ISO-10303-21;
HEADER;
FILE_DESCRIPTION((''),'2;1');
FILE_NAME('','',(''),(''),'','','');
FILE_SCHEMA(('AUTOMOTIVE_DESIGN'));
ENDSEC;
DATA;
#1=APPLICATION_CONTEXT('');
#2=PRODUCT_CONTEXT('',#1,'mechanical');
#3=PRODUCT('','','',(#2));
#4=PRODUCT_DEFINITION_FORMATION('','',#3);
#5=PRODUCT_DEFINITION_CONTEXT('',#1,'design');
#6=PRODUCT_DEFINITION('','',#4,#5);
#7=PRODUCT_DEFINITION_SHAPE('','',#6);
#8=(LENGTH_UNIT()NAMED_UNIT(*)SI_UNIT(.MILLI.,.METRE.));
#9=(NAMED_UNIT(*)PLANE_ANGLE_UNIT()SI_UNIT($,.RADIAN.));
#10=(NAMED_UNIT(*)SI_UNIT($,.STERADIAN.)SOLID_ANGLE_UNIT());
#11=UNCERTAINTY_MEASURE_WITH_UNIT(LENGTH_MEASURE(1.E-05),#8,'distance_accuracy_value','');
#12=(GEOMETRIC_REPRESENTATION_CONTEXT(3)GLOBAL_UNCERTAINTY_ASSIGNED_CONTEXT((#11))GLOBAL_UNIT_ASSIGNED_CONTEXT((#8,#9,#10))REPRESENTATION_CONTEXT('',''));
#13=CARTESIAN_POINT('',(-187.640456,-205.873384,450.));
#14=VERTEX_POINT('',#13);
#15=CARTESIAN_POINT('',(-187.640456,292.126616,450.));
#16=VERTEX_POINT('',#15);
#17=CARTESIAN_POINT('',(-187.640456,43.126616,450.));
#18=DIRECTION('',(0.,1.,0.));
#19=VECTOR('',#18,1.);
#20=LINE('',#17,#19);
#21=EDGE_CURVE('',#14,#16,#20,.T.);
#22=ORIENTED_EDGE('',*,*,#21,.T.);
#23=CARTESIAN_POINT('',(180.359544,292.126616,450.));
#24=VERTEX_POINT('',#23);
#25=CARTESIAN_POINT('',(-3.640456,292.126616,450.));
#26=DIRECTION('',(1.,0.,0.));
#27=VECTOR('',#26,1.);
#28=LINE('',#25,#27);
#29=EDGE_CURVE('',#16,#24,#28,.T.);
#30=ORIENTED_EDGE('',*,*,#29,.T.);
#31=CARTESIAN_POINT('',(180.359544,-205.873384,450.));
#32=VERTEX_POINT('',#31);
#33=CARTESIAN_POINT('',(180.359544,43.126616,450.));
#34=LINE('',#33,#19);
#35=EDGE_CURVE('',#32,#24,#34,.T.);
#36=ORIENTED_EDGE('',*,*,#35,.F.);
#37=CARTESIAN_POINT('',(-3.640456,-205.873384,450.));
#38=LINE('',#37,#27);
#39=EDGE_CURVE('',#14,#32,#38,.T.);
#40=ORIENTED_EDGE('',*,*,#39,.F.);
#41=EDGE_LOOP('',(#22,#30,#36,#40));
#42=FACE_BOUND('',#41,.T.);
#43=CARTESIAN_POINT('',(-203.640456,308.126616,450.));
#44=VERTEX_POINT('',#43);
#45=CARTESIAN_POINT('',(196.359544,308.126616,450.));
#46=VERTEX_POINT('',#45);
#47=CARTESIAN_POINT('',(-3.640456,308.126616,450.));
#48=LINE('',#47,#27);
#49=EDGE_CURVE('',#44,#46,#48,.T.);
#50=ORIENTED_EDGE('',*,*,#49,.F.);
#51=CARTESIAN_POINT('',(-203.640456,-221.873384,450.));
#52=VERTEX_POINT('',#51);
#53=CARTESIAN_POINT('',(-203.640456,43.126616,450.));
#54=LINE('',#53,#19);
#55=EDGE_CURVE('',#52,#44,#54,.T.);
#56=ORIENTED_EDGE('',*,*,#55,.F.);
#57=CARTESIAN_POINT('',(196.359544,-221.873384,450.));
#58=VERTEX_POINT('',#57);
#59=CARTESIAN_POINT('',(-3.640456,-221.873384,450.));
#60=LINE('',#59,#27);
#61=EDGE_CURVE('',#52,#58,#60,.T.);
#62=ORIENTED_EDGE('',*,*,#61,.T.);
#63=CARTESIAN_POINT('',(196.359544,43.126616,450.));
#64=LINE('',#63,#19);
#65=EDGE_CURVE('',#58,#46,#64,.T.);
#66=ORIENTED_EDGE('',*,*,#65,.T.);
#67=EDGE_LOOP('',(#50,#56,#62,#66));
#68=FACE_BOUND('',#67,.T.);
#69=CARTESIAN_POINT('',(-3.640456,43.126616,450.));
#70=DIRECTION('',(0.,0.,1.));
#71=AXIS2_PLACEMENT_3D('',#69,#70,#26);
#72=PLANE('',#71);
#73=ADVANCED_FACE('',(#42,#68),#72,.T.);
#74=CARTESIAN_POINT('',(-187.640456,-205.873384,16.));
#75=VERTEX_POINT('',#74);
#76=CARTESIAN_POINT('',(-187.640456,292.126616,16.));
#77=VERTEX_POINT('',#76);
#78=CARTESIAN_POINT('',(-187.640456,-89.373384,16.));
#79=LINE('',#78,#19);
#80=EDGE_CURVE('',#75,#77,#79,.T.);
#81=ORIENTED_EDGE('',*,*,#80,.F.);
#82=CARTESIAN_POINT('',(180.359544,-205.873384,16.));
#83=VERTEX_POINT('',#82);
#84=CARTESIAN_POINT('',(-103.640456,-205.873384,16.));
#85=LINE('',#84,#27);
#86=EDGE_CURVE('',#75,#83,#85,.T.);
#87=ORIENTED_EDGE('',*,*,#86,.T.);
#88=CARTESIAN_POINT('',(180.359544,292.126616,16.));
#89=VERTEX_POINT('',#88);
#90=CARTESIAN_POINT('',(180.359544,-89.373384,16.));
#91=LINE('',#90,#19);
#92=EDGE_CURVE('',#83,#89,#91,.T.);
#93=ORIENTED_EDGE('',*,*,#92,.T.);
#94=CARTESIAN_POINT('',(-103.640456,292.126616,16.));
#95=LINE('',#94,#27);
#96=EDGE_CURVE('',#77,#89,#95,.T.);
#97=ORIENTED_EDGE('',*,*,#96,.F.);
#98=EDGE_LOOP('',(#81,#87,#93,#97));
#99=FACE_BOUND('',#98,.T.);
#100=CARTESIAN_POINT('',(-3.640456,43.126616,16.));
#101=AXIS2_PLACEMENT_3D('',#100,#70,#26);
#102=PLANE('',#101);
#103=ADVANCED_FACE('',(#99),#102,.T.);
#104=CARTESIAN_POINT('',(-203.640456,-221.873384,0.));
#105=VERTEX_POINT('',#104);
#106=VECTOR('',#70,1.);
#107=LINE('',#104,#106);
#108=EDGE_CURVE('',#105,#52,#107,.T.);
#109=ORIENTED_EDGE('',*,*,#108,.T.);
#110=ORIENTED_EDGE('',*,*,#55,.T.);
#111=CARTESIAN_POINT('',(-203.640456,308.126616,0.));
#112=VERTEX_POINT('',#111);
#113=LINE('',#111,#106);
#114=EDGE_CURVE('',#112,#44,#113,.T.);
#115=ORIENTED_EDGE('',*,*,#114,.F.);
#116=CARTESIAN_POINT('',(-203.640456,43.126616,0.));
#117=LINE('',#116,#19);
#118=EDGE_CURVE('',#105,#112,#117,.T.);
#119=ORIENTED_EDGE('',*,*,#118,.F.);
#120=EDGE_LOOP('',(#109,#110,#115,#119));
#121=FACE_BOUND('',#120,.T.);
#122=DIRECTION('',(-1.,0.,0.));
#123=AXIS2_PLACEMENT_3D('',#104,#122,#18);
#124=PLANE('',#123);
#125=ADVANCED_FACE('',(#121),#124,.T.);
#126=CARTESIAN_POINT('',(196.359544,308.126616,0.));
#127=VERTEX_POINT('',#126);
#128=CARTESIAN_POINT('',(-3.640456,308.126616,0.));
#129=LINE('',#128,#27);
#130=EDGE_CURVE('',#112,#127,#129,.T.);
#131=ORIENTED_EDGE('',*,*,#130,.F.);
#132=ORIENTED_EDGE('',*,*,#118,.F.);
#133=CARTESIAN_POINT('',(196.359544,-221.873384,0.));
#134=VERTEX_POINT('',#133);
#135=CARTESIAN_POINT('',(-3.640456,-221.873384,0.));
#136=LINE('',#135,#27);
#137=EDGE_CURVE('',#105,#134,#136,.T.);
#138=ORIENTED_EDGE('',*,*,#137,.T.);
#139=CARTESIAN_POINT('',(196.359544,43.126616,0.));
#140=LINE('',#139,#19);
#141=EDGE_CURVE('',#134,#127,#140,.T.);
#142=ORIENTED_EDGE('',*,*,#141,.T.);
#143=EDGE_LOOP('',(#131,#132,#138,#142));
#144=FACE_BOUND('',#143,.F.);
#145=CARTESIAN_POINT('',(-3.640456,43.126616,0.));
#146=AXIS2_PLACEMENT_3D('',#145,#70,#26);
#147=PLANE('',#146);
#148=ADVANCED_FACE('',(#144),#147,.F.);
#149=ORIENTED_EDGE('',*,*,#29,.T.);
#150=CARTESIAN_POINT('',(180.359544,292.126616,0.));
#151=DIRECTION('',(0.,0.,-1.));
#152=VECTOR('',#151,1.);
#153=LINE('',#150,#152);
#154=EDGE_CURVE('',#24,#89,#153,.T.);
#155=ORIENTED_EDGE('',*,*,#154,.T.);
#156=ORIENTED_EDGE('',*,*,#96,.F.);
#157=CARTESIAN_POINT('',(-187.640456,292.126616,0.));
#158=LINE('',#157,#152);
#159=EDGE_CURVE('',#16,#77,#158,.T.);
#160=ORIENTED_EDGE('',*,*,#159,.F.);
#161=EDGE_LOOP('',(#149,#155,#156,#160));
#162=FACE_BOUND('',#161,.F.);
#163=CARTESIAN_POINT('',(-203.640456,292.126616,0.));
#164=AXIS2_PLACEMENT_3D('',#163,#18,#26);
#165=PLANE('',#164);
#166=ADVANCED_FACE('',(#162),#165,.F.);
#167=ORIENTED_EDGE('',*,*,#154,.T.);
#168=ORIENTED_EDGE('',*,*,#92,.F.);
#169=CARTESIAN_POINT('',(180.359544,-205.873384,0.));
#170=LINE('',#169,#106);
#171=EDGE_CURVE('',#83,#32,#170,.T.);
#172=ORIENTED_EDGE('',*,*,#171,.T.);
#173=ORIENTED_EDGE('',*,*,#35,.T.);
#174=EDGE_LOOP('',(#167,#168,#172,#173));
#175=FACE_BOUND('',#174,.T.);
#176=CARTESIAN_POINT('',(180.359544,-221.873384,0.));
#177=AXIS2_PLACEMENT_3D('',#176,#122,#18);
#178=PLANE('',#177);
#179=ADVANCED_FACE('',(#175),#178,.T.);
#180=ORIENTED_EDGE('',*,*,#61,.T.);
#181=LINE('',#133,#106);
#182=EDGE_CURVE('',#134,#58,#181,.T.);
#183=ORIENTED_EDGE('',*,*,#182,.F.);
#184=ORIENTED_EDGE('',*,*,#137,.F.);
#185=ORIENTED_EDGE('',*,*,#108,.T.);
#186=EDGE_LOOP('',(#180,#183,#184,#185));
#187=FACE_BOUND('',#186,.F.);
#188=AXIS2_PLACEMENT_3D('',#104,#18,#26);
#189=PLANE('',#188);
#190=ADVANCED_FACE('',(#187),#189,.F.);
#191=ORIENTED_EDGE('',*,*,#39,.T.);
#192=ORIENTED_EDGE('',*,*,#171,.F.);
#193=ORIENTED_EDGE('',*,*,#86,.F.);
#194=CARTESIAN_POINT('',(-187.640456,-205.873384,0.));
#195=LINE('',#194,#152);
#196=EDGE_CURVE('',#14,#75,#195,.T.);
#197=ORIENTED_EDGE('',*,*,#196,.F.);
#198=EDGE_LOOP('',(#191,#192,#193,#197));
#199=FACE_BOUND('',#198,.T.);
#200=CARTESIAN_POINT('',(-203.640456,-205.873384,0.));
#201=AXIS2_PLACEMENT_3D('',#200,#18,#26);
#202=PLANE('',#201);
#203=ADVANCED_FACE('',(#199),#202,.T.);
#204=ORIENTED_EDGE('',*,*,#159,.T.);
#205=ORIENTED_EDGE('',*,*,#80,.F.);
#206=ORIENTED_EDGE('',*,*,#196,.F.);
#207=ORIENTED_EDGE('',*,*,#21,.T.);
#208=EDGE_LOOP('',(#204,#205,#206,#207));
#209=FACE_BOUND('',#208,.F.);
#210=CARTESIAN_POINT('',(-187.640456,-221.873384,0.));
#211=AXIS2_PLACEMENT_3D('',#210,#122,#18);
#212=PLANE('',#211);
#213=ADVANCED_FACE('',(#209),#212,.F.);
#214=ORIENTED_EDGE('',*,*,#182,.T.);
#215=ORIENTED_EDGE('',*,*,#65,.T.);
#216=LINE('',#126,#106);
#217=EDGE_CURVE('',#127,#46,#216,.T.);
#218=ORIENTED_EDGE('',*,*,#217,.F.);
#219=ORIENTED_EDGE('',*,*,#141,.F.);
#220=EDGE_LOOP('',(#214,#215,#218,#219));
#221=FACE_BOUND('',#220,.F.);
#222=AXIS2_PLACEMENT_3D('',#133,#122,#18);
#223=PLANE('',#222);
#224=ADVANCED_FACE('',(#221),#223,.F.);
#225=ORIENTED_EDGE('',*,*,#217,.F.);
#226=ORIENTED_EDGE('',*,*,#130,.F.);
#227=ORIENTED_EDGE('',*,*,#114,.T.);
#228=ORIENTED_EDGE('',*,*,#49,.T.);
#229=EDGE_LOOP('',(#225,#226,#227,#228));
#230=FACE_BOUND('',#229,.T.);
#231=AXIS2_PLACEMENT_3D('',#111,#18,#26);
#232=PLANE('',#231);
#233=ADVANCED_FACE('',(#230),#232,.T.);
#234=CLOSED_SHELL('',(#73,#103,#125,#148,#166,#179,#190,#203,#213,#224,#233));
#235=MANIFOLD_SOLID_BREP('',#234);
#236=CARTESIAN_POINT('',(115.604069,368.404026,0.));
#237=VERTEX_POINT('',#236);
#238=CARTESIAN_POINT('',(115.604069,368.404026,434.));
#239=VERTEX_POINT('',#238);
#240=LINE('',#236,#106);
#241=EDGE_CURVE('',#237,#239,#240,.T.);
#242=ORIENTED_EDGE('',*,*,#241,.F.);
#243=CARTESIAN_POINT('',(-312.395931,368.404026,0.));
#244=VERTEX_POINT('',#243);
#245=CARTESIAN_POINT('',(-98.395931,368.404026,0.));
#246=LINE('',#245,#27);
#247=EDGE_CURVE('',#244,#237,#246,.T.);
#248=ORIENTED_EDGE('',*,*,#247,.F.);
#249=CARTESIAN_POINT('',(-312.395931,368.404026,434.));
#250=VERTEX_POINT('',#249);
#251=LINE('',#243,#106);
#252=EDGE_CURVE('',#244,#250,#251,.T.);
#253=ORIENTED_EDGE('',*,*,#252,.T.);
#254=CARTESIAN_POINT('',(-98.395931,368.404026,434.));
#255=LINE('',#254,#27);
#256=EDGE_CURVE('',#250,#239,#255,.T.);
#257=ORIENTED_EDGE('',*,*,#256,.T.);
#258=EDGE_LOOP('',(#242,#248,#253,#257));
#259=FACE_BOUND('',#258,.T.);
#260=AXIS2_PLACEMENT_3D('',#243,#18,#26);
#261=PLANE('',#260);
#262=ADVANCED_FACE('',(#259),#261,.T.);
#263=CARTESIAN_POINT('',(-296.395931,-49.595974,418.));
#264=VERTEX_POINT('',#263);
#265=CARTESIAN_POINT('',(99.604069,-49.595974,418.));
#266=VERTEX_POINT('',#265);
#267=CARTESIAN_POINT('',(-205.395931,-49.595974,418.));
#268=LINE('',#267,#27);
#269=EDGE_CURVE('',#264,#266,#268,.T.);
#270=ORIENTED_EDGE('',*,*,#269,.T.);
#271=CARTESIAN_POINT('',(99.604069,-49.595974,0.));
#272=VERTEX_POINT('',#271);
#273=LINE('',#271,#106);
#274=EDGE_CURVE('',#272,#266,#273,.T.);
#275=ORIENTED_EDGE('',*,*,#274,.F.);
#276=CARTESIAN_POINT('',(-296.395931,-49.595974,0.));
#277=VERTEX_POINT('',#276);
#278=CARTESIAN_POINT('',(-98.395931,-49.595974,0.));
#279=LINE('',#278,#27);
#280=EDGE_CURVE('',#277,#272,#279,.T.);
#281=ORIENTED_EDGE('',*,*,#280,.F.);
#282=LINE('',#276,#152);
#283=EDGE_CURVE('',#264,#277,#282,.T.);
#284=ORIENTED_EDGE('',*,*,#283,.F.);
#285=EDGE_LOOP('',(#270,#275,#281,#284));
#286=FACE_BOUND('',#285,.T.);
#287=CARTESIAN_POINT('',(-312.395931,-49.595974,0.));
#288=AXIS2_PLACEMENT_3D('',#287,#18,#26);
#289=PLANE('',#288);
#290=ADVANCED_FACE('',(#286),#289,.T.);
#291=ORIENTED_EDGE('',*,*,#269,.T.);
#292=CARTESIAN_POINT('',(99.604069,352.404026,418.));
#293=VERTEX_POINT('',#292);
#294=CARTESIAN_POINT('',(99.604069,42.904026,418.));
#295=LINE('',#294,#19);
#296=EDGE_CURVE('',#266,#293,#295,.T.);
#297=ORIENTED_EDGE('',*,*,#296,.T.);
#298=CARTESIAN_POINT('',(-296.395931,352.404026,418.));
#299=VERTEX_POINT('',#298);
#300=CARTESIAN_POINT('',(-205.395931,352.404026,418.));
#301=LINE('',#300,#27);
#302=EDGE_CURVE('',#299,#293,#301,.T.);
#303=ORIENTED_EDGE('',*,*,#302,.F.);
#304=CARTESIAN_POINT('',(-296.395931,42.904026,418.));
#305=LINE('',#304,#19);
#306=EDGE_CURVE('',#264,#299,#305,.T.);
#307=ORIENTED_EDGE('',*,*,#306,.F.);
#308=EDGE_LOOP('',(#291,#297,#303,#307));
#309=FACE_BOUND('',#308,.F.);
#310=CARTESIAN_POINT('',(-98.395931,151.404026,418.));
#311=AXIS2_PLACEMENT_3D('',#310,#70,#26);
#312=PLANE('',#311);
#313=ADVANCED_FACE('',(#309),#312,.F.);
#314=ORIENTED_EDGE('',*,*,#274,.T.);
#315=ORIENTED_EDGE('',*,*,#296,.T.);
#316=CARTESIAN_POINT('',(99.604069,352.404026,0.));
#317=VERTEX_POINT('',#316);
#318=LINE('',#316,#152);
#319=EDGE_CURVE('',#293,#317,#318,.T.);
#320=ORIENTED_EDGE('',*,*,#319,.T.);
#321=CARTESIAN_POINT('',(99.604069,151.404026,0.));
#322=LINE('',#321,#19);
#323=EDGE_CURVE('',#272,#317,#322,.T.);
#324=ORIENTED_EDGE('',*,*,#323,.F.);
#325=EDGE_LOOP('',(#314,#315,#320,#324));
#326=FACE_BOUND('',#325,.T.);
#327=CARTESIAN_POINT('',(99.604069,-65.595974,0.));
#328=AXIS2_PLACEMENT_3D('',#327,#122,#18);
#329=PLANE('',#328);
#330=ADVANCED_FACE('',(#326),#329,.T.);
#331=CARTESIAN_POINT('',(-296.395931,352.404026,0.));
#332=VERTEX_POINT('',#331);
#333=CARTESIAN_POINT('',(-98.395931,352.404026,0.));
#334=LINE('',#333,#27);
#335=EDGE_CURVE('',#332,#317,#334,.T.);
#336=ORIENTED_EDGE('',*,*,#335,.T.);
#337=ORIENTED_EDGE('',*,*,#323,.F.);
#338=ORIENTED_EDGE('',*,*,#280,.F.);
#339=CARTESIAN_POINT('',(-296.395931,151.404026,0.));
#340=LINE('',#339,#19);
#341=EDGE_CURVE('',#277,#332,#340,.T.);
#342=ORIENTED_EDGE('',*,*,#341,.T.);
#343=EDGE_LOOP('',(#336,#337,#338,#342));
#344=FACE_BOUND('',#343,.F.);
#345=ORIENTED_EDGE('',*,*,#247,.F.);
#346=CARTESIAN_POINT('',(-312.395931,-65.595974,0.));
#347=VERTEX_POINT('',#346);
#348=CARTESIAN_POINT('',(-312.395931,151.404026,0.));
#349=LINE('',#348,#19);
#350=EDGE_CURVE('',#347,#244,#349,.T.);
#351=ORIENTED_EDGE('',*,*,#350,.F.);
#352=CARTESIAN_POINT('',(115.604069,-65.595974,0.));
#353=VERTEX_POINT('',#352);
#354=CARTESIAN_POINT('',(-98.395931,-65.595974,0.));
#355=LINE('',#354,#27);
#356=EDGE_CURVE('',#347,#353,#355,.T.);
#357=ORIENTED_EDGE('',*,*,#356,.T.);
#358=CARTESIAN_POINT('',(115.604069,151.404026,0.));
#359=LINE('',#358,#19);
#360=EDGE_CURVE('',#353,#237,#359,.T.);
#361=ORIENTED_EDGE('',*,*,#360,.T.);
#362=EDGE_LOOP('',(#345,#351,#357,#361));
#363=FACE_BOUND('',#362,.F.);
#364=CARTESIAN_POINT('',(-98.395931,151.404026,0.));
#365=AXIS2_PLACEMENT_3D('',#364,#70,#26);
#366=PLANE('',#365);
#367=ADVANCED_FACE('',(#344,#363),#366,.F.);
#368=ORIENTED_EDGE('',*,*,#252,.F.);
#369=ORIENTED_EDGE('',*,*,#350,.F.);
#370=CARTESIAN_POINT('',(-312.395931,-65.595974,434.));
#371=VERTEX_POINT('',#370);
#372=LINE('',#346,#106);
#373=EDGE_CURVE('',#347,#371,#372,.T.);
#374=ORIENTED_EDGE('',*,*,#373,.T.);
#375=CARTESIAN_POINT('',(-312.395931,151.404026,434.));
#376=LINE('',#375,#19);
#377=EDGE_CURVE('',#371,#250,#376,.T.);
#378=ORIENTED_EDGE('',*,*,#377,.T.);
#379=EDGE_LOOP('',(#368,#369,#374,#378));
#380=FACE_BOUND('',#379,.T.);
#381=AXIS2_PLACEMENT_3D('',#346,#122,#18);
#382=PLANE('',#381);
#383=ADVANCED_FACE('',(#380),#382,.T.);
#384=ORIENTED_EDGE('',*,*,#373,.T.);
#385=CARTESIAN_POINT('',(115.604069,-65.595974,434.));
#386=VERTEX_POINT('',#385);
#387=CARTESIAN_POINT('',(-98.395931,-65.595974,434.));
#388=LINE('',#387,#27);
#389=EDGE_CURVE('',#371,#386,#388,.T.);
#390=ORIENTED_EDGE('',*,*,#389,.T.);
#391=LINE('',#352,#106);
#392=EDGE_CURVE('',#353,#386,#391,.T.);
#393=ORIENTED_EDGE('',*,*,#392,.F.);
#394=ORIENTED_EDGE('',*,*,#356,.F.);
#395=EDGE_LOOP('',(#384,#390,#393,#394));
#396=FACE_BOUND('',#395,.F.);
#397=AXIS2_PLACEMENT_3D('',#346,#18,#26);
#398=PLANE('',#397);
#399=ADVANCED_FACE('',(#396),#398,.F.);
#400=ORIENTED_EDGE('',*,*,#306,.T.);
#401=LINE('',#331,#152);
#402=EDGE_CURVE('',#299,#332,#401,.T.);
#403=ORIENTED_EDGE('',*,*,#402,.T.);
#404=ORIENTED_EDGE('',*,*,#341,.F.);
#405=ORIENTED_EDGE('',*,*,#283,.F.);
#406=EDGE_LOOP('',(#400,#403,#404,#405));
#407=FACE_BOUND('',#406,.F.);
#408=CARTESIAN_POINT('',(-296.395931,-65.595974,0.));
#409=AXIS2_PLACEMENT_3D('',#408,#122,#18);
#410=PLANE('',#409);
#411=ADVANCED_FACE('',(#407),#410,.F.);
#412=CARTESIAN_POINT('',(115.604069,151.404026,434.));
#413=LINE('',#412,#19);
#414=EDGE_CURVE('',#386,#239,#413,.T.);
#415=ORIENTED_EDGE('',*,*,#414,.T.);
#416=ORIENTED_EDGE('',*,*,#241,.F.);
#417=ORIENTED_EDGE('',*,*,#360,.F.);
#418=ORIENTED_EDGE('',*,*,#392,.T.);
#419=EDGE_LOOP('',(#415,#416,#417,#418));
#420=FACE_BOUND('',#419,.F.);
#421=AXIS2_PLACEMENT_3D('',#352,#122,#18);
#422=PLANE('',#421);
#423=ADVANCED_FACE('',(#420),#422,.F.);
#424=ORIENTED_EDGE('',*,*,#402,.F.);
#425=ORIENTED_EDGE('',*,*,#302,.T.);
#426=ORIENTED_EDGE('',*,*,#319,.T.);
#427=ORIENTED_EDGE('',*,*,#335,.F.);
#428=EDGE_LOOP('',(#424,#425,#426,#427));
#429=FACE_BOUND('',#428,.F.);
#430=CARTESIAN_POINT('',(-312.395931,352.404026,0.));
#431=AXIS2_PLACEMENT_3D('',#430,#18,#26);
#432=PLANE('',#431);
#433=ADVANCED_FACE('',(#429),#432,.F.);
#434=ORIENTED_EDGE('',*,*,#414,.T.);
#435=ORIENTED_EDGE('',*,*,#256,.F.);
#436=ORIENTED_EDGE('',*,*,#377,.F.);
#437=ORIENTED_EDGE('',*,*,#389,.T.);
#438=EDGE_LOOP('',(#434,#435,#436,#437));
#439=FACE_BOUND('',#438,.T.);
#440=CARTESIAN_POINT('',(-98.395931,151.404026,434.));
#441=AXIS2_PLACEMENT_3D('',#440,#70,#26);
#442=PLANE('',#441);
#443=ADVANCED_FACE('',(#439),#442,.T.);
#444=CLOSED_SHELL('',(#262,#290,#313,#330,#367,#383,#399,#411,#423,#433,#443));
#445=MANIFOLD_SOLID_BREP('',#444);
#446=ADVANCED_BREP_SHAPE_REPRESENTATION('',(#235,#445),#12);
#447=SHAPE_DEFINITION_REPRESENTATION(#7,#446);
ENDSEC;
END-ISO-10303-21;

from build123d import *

# Parameters (mm, degrees)
F0_W     = 400
F0_H     = 530
F2_DEPTH = 450
F3_T     = -16
F1_W     = 428
F1_H     = 434
F4_DEPTH = 434
F5_T     = -16


with BuildPart() as f2:
    # F0 (on Top) → F2 (new body)
    with BuildSketch(Plane.XY):
        with Locations((-3.6404564339, 43.1266156584)):
            Rectangle(F0_W, F0_H)
    extrude(amount=F2_DEPTH)

    # F3
    f3_openings = [f2.faces().sort_by_distance(p)[0] for p in [
        (-3.640456, 43.126616, 450),
    ]]
    offset(amount=F3_T, openings=f3_openings)


with BuildPart() as f4:
    # F1 (on face) → F4 (new body)
    with BuildSketch(Plane.XY):
        with Locations((-98.3959314227, 151.4040260927)):
            Rectangle(F1_W, F1_H)
    extrude(amount=F4_DEPTH)

    # F5
    f5_openings = [f4.faces().sort_by_distance(p)[0] for p in [
        (-98.395931, 151.404026, 0),
    ]]
    offset(amount=F5_T, openings=f5_openings)


solid = Compound([f2.part, f4.part])
